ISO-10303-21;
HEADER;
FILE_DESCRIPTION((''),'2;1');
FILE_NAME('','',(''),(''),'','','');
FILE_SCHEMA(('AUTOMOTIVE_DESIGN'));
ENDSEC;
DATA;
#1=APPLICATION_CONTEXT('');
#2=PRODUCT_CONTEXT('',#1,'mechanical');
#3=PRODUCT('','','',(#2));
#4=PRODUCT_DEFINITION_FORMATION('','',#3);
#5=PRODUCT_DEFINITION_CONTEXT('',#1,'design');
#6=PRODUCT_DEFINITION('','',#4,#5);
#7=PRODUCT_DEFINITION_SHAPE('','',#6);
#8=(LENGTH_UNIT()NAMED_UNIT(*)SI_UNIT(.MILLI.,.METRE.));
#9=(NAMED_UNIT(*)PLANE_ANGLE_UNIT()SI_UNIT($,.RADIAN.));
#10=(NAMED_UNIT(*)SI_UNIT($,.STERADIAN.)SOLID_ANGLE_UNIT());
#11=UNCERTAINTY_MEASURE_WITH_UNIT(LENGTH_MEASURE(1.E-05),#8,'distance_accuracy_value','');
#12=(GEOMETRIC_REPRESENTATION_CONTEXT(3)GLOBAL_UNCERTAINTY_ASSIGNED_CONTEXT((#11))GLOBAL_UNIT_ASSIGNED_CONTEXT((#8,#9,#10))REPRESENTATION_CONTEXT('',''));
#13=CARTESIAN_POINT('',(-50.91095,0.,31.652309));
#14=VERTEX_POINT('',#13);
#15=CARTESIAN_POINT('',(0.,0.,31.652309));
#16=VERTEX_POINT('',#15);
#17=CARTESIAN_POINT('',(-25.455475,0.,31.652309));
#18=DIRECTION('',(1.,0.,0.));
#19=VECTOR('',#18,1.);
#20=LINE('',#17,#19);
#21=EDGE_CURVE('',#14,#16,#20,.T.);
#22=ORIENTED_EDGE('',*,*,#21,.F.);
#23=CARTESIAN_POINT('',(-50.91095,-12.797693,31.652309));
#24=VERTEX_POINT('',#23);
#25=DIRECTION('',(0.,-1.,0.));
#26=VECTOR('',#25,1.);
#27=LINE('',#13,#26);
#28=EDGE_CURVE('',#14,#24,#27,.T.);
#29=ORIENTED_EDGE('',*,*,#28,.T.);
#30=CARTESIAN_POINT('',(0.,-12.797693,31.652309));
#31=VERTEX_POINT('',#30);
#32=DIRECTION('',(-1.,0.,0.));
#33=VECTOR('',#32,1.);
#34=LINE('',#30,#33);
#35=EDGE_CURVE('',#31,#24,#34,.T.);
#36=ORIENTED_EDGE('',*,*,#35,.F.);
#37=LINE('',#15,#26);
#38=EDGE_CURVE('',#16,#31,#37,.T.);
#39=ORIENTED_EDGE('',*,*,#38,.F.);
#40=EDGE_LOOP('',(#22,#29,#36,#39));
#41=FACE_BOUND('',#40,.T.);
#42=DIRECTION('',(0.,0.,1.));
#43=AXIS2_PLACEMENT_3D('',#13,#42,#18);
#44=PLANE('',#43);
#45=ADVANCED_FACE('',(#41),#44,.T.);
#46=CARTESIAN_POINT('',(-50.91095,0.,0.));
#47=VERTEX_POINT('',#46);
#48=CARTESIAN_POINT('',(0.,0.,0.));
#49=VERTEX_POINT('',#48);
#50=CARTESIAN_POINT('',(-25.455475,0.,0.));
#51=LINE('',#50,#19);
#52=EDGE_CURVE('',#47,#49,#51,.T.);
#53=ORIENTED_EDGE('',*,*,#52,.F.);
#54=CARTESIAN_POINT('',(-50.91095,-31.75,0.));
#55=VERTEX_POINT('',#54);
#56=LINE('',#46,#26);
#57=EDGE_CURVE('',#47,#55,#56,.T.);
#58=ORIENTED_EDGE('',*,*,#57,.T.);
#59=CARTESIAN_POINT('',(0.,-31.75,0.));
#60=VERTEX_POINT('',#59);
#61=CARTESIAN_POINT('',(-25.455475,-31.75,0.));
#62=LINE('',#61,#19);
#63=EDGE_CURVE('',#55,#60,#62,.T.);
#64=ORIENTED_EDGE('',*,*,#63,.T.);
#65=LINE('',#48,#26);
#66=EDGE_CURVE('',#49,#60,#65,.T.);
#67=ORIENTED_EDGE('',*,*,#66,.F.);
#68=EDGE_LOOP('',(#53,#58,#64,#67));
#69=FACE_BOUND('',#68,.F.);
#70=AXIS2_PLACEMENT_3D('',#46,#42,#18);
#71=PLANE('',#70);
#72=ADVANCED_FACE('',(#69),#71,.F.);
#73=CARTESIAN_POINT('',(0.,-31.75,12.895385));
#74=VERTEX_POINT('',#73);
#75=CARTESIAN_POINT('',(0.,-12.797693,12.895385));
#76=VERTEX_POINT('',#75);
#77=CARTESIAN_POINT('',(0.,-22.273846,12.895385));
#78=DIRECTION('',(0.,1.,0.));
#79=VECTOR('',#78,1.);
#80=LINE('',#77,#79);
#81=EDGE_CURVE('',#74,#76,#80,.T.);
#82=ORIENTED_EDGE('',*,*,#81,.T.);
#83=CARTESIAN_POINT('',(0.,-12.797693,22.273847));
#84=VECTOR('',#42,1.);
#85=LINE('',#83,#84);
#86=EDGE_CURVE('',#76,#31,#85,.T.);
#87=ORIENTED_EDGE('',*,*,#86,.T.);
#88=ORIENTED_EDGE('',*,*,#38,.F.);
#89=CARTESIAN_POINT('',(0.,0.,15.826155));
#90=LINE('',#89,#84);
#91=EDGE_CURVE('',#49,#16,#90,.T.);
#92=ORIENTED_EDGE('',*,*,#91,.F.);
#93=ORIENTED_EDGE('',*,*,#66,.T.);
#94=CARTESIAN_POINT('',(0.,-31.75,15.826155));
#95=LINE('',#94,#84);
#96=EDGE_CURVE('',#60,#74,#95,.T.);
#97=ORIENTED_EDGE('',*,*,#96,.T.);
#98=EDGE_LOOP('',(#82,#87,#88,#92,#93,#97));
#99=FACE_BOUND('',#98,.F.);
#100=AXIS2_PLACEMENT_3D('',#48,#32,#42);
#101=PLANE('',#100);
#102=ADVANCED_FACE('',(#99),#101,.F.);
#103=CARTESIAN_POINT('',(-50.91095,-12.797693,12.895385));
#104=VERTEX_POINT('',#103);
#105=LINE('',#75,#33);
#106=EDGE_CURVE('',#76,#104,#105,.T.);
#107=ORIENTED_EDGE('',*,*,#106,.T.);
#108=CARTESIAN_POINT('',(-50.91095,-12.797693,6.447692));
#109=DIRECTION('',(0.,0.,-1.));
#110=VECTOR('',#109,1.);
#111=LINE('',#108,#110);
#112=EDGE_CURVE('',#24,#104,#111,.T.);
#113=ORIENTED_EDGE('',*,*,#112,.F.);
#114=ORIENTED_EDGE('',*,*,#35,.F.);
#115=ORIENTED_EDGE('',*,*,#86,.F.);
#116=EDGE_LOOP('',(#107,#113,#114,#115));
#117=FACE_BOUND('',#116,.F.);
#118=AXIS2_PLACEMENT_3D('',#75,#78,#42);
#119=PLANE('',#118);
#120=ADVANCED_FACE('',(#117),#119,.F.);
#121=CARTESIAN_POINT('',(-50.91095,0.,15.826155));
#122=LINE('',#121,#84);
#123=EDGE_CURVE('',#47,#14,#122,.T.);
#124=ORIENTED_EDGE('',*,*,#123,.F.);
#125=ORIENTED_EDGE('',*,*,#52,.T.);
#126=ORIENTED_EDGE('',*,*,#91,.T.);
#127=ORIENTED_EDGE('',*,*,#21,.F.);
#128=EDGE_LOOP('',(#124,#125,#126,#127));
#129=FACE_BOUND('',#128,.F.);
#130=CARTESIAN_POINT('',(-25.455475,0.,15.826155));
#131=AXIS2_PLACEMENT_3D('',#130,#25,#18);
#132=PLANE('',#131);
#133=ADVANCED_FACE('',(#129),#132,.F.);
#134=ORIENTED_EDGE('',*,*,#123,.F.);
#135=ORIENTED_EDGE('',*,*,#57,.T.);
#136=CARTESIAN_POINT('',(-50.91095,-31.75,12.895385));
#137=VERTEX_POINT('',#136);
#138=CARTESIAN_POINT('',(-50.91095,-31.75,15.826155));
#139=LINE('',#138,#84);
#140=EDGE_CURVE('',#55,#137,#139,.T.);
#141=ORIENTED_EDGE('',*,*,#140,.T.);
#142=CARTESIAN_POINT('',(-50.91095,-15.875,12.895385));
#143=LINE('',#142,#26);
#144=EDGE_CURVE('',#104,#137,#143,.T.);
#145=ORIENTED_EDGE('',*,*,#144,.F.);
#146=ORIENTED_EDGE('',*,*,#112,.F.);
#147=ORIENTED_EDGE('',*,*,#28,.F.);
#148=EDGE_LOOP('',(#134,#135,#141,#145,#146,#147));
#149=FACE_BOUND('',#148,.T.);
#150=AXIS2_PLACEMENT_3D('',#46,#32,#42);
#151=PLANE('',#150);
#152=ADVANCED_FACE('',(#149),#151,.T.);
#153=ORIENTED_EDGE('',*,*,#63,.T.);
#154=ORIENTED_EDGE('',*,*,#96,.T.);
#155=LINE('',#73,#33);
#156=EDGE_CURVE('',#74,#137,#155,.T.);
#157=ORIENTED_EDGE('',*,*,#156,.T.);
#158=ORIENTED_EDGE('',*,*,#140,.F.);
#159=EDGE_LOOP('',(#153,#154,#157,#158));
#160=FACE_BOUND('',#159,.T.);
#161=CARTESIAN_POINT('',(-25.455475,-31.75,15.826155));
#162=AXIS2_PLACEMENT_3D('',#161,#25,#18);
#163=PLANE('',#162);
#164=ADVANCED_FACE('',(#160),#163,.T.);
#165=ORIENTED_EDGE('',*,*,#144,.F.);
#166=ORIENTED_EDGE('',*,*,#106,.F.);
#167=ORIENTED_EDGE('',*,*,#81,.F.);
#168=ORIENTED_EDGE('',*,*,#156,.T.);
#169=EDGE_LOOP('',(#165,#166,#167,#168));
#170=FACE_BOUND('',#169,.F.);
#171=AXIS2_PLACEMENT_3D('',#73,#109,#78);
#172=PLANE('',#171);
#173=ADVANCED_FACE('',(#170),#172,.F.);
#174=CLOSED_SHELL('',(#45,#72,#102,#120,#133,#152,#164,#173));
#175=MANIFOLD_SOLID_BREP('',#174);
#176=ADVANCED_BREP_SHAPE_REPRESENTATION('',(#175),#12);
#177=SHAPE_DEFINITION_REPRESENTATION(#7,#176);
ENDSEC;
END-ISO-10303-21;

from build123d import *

# Parameters (mm, degrees)
F0_W     = 50.910949707
F0_H     = 31.6523090005
F1_DEPTH = 31.75
F2_W     = 18.9523072094
F2_H     = 18.7569241971
F3_DEPTH = 50.911949707


with BuildPart() as f1:
    # F0 (on Front) → F1 (new body)
    with BuildSketch(Plane.XZ):
        with Locations((-25.4554748535, 15.8261545002)):
            Rectangle(F0_W, F0_H)
    extrude(amount=F1_DEPTH)

    # F2 (on face) → F3 (cut, through all)
    with BuildSketch(Plane.YZ):
        with Locations((-22.2738463953, 22.273846902)):
            Rectangle(F2_W, F2_H)
    extrude(amount=-F3_DEPTH, mode=Mode.SUBTRACT)


solid = f1.part
